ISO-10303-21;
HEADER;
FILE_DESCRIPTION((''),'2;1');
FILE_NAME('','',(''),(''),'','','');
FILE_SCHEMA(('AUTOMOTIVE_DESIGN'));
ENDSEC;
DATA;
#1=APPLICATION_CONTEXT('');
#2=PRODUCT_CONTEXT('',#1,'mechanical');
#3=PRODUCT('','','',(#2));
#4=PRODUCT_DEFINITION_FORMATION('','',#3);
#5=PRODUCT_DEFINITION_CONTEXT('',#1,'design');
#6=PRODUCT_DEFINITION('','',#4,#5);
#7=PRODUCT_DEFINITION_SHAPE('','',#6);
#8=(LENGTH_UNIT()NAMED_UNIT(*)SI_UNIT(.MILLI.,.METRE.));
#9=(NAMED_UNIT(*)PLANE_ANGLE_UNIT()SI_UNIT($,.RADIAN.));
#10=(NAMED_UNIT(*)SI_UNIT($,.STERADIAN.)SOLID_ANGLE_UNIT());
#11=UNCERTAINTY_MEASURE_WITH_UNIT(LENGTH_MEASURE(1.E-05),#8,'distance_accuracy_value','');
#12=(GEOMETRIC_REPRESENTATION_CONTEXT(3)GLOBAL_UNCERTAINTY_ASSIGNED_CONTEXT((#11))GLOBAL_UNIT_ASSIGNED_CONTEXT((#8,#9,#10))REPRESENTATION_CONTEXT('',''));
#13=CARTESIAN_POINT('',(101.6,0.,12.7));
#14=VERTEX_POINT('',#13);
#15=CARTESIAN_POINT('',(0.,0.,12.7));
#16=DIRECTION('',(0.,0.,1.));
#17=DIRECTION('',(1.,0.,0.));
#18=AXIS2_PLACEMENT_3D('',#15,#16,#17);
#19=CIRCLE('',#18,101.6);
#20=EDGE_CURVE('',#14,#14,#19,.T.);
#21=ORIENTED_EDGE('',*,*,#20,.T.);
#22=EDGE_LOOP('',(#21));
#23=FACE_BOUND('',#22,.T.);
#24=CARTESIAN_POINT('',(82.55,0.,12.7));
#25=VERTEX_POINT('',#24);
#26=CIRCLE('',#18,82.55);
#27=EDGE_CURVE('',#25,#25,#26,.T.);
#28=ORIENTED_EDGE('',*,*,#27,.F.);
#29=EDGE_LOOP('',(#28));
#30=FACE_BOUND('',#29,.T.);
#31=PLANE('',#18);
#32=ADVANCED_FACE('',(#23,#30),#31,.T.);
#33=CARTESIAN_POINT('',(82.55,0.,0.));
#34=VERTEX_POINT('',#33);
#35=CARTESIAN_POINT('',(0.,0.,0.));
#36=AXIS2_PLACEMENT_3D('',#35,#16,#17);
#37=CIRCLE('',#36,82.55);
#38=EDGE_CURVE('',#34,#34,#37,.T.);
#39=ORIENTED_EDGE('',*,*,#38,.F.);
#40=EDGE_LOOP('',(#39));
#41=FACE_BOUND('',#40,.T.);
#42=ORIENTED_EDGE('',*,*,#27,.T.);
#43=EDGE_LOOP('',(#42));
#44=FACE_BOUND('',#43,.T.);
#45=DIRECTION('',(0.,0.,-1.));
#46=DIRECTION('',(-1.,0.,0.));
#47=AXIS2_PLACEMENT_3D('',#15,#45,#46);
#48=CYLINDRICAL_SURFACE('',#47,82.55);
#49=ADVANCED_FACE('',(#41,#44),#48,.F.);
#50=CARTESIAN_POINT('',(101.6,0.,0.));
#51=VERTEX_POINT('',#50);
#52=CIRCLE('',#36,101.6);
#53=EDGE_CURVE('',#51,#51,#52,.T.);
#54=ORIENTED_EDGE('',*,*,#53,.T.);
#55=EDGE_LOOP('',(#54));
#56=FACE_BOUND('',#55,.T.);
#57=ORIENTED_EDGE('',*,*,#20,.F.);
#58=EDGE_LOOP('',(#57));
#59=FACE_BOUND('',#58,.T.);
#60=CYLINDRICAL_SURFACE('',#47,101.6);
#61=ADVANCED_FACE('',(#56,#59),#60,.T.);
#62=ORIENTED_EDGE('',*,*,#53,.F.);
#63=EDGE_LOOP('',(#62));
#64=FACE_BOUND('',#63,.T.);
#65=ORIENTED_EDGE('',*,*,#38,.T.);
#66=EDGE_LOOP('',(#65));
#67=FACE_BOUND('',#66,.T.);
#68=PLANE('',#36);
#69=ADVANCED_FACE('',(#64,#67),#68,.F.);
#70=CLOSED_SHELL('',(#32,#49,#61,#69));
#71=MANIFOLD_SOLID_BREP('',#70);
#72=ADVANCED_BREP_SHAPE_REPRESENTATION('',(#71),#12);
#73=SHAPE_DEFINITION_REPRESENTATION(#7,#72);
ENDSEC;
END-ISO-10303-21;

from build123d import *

# Parameters (mm, degrees)
SKETCH1_R           = 101.6
SKETCH1_R_2         = 95.25
SKETCH1_R_3         = 82.55
BOSS_EXTRUDE1_DEPTH = 12.7


with BuildPart() as part:
    # Sketch1 → Boss-Extrude1 (new body)
    # profile 1 of 2: a face of its own
    with BuildSketch(Plane.XY):
        Circle(SKETCH1_R)
        Circle(SKETCH1_R_2, mode=Mode.SUBTRACT)
    # profile 2 of 2: a face of its own
    with BuildSketch(Plane.XY):
        Circle(SKETCH1_R_2)
        Circle(SKETCH1_R_3, mode=Mode.SUBTRACT)
    extrude(amount=BOSS_EXTRUDE1_DEPTH)


solid = part.part
